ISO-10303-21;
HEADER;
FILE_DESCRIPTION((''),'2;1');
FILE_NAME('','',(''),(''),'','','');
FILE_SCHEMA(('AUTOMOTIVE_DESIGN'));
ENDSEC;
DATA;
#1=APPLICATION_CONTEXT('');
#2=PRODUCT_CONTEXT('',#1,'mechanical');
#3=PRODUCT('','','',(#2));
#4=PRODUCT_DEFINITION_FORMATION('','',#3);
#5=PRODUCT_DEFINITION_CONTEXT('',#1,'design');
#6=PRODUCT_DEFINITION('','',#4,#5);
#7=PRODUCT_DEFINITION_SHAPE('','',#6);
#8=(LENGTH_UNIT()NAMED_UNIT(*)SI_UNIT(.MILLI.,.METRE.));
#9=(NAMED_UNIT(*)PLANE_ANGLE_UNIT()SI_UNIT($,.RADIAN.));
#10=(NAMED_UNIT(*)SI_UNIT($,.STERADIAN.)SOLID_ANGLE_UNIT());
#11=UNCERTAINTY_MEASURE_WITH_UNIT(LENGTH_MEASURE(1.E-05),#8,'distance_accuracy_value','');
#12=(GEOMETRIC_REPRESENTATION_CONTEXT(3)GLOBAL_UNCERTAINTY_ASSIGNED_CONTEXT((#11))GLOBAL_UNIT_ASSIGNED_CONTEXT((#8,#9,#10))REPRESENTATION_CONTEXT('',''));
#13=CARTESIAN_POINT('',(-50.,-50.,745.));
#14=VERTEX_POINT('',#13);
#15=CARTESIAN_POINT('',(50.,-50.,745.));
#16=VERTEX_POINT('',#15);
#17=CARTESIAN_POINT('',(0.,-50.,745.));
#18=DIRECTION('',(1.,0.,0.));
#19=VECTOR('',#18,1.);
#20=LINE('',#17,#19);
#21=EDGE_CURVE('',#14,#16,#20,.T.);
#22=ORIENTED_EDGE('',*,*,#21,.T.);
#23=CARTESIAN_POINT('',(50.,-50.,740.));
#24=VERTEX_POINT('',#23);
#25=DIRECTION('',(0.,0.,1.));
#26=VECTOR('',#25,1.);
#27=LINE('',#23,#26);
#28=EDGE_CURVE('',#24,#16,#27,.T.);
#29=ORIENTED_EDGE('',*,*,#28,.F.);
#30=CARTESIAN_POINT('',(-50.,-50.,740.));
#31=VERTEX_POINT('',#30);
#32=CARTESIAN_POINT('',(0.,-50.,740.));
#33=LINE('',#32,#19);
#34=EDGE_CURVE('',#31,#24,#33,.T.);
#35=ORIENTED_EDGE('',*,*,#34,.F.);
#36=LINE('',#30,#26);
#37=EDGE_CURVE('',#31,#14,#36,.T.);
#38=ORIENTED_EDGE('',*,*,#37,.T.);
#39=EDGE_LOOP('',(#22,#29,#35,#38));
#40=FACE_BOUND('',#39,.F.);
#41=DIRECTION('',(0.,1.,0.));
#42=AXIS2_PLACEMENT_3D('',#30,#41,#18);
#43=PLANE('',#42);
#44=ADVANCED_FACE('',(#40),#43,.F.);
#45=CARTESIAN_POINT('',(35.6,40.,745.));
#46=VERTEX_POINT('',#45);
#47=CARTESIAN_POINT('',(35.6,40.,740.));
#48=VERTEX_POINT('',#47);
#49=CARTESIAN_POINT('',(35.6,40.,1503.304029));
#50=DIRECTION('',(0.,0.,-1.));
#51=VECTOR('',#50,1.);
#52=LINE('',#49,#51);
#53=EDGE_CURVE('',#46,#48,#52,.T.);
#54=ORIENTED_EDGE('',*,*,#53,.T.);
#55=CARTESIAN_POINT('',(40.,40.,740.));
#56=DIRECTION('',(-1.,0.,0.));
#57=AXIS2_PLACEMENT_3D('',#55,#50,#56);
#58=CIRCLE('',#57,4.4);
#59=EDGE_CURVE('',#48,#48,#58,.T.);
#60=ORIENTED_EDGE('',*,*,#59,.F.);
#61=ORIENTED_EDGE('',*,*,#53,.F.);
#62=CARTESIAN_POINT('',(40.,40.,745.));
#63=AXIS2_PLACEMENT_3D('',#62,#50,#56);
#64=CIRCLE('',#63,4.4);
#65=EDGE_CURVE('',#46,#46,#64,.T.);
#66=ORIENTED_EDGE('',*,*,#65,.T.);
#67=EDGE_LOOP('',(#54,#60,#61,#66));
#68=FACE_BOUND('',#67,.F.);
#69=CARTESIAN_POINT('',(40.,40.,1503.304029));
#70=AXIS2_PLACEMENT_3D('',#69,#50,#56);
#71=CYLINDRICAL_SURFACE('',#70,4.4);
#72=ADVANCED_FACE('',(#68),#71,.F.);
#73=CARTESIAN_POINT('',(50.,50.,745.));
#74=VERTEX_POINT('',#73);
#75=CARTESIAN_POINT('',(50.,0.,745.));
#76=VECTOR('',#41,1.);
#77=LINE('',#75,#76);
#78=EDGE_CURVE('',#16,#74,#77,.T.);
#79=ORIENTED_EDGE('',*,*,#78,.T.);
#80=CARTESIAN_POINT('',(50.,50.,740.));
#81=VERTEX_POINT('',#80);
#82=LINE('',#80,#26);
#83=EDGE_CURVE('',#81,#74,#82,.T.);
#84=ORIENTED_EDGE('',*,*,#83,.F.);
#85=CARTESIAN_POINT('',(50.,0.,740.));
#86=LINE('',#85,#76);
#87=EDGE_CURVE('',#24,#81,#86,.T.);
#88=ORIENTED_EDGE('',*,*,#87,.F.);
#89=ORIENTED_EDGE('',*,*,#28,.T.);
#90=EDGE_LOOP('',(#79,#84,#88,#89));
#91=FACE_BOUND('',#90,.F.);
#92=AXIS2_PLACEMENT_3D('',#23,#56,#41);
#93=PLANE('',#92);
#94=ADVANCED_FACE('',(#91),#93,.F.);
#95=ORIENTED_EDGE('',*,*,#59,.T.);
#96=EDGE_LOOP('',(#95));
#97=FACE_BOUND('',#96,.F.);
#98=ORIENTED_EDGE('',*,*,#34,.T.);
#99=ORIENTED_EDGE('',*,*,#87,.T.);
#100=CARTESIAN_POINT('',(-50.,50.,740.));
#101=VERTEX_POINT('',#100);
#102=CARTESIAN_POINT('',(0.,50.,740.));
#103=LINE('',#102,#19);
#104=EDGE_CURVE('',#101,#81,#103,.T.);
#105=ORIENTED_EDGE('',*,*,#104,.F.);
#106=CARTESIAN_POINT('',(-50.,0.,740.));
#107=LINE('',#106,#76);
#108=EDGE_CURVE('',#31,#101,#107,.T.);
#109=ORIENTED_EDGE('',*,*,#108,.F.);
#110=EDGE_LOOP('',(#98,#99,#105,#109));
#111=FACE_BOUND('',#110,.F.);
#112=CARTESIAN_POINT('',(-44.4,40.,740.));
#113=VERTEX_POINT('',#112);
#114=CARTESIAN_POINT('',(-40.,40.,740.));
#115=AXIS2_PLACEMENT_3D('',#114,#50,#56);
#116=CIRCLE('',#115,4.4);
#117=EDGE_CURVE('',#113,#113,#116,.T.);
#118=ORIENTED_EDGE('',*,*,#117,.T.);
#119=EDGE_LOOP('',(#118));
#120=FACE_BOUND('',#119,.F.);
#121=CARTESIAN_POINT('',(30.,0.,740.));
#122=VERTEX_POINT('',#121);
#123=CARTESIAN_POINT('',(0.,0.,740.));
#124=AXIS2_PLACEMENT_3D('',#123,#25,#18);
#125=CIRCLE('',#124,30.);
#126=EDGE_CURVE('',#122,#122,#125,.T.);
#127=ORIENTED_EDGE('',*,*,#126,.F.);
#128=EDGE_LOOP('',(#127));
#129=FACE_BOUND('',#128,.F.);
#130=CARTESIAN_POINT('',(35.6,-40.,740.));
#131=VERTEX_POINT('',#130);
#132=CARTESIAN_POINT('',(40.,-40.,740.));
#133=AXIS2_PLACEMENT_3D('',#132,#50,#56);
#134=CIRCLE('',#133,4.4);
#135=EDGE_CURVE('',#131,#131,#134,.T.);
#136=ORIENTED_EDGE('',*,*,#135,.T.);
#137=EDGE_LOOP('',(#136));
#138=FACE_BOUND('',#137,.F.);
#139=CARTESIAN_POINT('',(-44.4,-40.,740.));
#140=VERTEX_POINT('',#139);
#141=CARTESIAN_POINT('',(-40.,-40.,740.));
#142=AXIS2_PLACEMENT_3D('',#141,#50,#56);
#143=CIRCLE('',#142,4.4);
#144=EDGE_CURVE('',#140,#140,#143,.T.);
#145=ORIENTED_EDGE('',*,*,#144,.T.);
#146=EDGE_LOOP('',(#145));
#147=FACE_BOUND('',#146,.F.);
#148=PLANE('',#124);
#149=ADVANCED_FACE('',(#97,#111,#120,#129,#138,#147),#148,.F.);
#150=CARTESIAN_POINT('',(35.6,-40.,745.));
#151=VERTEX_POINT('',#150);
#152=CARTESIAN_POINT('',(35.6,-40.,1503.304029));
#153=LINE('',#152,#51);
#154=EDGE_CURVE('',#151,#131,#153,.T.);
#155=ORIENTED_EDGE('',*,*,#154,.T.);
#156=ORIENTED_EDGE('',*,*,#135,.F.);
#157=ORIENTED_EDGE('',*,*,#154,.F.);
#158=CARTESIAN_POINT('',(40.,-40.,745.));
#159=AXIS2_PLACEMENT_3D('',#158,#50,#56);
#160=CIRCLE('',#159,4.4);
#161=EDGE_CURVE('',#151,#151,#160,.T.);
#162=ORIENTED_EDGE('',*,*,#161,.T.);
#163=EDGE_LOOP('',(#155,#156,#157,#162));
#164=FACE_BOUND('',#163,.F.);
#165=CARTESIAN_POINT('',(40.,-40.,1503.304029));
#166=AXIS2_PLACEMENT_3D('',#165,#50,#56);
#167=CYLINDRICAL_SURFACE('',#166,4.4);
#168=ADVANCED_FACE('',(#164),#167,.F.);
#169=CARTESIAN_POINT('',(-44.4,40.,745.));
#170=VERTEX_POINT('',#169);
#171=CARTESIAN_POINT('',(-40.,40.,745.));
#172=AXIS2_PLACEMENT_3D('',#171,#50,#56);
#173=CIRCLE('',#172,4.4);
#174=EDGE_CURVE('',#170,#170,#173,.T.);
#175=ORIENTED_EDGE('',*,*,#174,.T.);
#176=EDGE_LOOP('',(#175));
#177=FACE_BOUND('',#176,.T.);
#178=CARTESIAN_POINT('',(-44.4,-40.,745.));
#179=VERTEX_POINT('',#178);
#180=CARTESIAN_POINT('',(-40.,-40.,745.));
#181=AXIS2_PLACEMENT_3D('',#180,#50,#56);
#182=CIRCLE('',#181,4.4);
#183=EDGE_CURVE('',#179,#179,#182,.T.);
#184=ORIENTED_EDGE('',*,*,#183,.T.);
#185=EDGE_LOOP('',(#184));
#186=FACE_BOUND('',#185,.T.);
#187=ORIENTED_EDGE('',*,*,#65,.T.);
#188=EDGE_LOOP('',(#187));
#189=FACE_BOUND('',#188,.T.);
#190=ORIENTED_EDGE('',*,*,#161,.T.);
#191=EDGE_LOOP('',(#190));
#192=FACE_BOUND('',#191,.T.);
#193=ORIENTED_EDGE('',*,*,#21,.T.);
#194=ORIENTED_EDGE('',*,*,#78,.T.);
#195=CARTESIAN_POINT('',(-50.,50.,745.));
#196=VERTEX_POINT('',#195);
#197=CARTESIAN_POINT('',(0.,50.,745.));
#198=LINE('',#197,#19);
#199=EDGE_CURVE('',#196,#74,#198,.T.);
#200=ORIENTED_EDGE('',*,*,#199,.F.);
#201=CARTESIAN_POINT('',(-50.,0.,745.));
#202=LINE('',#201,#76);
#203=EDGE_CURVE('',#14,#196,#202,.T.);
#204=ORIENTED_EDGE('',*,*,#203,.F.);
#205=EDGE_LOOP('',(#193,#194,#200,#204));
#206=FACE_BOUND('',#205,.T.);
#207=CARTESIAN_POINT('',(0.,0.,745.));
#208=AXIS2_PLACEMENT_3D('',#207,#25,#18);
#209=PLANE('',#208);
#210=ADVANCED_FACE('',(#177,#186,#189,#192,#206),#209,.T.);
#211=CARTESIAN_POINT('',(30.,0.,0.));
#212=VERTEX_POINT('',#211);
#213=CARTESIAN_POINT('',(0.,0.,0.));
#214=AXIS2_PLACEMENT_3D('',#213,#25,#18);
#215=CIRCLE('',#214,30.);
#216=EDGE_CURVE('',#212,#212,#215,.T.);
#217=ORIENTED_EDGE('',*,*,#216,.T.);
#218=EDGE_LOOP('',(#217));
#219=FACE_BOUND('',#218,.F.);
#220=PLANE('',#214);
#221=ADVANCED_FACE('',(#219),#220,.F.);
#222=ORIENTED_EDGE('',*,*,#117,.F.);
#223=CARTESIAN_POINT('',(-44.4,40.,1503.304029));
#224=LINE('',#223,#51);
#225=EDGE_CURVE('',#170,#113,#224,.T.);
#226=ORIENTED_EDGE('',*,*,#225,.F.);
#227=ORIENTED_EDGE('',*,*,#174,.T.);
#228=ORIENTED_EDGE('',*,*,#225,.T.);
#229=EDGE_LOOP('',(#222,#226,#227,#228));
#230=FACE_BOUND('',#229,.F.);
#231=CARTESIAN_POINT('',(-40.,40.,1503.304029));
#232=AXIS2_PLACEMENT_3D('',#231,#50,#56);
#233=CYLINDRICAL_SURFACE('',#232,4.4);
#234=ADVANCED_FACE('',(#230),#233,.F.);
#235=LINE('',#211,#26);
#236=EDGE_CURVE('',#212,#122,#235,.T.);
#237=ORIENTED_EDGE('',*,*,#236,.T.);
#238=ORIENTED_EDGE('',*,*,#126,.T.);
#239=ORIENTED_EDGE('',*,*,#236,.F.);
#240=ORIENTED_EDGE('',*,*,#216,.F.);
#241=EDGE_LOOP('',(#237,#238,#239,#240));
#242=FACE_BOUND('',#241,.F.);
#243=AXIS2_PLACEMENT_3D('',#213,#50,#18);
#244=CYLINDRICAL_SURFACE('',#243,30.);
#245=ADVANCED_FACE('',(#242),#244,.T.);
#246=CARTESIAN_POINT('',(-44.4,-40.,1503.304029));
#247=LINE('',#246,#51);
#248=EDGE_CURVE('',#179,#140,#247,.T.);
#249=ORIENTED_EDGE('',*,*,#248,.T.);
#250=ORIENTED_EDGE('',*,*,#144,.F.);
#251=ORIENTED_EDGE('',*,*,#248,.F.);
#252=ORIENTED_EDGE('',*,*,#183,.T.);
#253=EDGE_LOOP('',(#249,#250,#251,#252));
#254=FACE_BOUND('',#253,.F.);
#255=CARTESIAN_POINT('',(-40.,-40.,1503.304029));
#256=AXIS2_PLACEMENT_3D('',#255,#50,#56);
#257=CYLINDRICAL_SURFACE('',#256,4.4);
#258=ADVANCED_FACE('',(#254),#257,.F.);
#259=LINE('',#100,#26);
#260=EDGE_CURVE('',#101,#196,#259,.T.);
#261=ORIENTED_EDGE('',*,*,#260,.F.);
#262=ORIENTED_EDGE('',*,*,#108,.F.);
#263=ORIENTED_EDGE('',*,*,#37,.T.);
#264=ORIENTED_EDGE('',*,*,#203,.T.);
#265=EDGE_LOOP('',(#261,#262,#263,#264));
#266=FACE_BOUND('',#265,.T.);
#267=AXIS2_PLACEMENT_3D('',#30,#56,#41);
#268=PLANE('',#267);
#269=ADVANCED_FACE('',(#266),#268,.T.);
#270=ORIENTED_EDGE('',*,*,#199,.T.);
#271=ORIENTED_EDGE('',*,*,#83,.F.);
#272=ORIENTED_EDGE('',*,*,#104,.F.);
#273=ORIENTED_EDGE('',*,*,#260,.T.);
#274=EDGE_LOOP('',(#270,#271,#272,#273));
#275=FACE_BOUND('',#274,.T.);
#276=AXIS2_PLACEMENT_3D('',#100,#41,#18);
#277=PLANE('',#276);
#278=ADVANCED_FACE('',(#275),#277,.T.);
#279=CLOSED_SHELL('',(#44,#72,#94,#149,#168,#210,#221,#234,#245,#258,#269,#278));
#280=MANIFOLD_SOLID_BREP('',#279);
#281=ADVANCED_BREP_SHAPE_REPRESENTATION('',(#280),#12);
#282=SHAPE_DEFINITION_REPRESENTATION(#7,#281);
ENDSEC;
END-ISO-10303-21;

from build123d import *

# Parameters (mm, degrees)
F0_R     = 30
F1_DEPTH = 740
F2_W     = 100
F2_H     = 100
F2_R     = 30
F3_DEPTH = 5
F5_D     = 8.8


with BuildPart() as f1:
    # F0 (on Top) → F1 (new body)
    with BuildSketch(Plane.XY):
        Circle(F0_R)
    extrude(amount=F1_DEPTH)

    # F2 (on face) → F3 (join)
    with BuildSketch(Plane.XY.offset(740)):
        Rectangle(F2_W, F2_H)
        Circle(F2_R, mode=Mode.SUBTRACT)
        Circle(F2_R)
    extrude(amount=F3_DEPTH)

    # F5 (through all)
    with Locations(Plane.XY.offset(745)):
        with Locations((-40, 40), (40, 40), (40, -40), (-40, -40)):
            Hole(F5_D / 2)


solid = f1.part
